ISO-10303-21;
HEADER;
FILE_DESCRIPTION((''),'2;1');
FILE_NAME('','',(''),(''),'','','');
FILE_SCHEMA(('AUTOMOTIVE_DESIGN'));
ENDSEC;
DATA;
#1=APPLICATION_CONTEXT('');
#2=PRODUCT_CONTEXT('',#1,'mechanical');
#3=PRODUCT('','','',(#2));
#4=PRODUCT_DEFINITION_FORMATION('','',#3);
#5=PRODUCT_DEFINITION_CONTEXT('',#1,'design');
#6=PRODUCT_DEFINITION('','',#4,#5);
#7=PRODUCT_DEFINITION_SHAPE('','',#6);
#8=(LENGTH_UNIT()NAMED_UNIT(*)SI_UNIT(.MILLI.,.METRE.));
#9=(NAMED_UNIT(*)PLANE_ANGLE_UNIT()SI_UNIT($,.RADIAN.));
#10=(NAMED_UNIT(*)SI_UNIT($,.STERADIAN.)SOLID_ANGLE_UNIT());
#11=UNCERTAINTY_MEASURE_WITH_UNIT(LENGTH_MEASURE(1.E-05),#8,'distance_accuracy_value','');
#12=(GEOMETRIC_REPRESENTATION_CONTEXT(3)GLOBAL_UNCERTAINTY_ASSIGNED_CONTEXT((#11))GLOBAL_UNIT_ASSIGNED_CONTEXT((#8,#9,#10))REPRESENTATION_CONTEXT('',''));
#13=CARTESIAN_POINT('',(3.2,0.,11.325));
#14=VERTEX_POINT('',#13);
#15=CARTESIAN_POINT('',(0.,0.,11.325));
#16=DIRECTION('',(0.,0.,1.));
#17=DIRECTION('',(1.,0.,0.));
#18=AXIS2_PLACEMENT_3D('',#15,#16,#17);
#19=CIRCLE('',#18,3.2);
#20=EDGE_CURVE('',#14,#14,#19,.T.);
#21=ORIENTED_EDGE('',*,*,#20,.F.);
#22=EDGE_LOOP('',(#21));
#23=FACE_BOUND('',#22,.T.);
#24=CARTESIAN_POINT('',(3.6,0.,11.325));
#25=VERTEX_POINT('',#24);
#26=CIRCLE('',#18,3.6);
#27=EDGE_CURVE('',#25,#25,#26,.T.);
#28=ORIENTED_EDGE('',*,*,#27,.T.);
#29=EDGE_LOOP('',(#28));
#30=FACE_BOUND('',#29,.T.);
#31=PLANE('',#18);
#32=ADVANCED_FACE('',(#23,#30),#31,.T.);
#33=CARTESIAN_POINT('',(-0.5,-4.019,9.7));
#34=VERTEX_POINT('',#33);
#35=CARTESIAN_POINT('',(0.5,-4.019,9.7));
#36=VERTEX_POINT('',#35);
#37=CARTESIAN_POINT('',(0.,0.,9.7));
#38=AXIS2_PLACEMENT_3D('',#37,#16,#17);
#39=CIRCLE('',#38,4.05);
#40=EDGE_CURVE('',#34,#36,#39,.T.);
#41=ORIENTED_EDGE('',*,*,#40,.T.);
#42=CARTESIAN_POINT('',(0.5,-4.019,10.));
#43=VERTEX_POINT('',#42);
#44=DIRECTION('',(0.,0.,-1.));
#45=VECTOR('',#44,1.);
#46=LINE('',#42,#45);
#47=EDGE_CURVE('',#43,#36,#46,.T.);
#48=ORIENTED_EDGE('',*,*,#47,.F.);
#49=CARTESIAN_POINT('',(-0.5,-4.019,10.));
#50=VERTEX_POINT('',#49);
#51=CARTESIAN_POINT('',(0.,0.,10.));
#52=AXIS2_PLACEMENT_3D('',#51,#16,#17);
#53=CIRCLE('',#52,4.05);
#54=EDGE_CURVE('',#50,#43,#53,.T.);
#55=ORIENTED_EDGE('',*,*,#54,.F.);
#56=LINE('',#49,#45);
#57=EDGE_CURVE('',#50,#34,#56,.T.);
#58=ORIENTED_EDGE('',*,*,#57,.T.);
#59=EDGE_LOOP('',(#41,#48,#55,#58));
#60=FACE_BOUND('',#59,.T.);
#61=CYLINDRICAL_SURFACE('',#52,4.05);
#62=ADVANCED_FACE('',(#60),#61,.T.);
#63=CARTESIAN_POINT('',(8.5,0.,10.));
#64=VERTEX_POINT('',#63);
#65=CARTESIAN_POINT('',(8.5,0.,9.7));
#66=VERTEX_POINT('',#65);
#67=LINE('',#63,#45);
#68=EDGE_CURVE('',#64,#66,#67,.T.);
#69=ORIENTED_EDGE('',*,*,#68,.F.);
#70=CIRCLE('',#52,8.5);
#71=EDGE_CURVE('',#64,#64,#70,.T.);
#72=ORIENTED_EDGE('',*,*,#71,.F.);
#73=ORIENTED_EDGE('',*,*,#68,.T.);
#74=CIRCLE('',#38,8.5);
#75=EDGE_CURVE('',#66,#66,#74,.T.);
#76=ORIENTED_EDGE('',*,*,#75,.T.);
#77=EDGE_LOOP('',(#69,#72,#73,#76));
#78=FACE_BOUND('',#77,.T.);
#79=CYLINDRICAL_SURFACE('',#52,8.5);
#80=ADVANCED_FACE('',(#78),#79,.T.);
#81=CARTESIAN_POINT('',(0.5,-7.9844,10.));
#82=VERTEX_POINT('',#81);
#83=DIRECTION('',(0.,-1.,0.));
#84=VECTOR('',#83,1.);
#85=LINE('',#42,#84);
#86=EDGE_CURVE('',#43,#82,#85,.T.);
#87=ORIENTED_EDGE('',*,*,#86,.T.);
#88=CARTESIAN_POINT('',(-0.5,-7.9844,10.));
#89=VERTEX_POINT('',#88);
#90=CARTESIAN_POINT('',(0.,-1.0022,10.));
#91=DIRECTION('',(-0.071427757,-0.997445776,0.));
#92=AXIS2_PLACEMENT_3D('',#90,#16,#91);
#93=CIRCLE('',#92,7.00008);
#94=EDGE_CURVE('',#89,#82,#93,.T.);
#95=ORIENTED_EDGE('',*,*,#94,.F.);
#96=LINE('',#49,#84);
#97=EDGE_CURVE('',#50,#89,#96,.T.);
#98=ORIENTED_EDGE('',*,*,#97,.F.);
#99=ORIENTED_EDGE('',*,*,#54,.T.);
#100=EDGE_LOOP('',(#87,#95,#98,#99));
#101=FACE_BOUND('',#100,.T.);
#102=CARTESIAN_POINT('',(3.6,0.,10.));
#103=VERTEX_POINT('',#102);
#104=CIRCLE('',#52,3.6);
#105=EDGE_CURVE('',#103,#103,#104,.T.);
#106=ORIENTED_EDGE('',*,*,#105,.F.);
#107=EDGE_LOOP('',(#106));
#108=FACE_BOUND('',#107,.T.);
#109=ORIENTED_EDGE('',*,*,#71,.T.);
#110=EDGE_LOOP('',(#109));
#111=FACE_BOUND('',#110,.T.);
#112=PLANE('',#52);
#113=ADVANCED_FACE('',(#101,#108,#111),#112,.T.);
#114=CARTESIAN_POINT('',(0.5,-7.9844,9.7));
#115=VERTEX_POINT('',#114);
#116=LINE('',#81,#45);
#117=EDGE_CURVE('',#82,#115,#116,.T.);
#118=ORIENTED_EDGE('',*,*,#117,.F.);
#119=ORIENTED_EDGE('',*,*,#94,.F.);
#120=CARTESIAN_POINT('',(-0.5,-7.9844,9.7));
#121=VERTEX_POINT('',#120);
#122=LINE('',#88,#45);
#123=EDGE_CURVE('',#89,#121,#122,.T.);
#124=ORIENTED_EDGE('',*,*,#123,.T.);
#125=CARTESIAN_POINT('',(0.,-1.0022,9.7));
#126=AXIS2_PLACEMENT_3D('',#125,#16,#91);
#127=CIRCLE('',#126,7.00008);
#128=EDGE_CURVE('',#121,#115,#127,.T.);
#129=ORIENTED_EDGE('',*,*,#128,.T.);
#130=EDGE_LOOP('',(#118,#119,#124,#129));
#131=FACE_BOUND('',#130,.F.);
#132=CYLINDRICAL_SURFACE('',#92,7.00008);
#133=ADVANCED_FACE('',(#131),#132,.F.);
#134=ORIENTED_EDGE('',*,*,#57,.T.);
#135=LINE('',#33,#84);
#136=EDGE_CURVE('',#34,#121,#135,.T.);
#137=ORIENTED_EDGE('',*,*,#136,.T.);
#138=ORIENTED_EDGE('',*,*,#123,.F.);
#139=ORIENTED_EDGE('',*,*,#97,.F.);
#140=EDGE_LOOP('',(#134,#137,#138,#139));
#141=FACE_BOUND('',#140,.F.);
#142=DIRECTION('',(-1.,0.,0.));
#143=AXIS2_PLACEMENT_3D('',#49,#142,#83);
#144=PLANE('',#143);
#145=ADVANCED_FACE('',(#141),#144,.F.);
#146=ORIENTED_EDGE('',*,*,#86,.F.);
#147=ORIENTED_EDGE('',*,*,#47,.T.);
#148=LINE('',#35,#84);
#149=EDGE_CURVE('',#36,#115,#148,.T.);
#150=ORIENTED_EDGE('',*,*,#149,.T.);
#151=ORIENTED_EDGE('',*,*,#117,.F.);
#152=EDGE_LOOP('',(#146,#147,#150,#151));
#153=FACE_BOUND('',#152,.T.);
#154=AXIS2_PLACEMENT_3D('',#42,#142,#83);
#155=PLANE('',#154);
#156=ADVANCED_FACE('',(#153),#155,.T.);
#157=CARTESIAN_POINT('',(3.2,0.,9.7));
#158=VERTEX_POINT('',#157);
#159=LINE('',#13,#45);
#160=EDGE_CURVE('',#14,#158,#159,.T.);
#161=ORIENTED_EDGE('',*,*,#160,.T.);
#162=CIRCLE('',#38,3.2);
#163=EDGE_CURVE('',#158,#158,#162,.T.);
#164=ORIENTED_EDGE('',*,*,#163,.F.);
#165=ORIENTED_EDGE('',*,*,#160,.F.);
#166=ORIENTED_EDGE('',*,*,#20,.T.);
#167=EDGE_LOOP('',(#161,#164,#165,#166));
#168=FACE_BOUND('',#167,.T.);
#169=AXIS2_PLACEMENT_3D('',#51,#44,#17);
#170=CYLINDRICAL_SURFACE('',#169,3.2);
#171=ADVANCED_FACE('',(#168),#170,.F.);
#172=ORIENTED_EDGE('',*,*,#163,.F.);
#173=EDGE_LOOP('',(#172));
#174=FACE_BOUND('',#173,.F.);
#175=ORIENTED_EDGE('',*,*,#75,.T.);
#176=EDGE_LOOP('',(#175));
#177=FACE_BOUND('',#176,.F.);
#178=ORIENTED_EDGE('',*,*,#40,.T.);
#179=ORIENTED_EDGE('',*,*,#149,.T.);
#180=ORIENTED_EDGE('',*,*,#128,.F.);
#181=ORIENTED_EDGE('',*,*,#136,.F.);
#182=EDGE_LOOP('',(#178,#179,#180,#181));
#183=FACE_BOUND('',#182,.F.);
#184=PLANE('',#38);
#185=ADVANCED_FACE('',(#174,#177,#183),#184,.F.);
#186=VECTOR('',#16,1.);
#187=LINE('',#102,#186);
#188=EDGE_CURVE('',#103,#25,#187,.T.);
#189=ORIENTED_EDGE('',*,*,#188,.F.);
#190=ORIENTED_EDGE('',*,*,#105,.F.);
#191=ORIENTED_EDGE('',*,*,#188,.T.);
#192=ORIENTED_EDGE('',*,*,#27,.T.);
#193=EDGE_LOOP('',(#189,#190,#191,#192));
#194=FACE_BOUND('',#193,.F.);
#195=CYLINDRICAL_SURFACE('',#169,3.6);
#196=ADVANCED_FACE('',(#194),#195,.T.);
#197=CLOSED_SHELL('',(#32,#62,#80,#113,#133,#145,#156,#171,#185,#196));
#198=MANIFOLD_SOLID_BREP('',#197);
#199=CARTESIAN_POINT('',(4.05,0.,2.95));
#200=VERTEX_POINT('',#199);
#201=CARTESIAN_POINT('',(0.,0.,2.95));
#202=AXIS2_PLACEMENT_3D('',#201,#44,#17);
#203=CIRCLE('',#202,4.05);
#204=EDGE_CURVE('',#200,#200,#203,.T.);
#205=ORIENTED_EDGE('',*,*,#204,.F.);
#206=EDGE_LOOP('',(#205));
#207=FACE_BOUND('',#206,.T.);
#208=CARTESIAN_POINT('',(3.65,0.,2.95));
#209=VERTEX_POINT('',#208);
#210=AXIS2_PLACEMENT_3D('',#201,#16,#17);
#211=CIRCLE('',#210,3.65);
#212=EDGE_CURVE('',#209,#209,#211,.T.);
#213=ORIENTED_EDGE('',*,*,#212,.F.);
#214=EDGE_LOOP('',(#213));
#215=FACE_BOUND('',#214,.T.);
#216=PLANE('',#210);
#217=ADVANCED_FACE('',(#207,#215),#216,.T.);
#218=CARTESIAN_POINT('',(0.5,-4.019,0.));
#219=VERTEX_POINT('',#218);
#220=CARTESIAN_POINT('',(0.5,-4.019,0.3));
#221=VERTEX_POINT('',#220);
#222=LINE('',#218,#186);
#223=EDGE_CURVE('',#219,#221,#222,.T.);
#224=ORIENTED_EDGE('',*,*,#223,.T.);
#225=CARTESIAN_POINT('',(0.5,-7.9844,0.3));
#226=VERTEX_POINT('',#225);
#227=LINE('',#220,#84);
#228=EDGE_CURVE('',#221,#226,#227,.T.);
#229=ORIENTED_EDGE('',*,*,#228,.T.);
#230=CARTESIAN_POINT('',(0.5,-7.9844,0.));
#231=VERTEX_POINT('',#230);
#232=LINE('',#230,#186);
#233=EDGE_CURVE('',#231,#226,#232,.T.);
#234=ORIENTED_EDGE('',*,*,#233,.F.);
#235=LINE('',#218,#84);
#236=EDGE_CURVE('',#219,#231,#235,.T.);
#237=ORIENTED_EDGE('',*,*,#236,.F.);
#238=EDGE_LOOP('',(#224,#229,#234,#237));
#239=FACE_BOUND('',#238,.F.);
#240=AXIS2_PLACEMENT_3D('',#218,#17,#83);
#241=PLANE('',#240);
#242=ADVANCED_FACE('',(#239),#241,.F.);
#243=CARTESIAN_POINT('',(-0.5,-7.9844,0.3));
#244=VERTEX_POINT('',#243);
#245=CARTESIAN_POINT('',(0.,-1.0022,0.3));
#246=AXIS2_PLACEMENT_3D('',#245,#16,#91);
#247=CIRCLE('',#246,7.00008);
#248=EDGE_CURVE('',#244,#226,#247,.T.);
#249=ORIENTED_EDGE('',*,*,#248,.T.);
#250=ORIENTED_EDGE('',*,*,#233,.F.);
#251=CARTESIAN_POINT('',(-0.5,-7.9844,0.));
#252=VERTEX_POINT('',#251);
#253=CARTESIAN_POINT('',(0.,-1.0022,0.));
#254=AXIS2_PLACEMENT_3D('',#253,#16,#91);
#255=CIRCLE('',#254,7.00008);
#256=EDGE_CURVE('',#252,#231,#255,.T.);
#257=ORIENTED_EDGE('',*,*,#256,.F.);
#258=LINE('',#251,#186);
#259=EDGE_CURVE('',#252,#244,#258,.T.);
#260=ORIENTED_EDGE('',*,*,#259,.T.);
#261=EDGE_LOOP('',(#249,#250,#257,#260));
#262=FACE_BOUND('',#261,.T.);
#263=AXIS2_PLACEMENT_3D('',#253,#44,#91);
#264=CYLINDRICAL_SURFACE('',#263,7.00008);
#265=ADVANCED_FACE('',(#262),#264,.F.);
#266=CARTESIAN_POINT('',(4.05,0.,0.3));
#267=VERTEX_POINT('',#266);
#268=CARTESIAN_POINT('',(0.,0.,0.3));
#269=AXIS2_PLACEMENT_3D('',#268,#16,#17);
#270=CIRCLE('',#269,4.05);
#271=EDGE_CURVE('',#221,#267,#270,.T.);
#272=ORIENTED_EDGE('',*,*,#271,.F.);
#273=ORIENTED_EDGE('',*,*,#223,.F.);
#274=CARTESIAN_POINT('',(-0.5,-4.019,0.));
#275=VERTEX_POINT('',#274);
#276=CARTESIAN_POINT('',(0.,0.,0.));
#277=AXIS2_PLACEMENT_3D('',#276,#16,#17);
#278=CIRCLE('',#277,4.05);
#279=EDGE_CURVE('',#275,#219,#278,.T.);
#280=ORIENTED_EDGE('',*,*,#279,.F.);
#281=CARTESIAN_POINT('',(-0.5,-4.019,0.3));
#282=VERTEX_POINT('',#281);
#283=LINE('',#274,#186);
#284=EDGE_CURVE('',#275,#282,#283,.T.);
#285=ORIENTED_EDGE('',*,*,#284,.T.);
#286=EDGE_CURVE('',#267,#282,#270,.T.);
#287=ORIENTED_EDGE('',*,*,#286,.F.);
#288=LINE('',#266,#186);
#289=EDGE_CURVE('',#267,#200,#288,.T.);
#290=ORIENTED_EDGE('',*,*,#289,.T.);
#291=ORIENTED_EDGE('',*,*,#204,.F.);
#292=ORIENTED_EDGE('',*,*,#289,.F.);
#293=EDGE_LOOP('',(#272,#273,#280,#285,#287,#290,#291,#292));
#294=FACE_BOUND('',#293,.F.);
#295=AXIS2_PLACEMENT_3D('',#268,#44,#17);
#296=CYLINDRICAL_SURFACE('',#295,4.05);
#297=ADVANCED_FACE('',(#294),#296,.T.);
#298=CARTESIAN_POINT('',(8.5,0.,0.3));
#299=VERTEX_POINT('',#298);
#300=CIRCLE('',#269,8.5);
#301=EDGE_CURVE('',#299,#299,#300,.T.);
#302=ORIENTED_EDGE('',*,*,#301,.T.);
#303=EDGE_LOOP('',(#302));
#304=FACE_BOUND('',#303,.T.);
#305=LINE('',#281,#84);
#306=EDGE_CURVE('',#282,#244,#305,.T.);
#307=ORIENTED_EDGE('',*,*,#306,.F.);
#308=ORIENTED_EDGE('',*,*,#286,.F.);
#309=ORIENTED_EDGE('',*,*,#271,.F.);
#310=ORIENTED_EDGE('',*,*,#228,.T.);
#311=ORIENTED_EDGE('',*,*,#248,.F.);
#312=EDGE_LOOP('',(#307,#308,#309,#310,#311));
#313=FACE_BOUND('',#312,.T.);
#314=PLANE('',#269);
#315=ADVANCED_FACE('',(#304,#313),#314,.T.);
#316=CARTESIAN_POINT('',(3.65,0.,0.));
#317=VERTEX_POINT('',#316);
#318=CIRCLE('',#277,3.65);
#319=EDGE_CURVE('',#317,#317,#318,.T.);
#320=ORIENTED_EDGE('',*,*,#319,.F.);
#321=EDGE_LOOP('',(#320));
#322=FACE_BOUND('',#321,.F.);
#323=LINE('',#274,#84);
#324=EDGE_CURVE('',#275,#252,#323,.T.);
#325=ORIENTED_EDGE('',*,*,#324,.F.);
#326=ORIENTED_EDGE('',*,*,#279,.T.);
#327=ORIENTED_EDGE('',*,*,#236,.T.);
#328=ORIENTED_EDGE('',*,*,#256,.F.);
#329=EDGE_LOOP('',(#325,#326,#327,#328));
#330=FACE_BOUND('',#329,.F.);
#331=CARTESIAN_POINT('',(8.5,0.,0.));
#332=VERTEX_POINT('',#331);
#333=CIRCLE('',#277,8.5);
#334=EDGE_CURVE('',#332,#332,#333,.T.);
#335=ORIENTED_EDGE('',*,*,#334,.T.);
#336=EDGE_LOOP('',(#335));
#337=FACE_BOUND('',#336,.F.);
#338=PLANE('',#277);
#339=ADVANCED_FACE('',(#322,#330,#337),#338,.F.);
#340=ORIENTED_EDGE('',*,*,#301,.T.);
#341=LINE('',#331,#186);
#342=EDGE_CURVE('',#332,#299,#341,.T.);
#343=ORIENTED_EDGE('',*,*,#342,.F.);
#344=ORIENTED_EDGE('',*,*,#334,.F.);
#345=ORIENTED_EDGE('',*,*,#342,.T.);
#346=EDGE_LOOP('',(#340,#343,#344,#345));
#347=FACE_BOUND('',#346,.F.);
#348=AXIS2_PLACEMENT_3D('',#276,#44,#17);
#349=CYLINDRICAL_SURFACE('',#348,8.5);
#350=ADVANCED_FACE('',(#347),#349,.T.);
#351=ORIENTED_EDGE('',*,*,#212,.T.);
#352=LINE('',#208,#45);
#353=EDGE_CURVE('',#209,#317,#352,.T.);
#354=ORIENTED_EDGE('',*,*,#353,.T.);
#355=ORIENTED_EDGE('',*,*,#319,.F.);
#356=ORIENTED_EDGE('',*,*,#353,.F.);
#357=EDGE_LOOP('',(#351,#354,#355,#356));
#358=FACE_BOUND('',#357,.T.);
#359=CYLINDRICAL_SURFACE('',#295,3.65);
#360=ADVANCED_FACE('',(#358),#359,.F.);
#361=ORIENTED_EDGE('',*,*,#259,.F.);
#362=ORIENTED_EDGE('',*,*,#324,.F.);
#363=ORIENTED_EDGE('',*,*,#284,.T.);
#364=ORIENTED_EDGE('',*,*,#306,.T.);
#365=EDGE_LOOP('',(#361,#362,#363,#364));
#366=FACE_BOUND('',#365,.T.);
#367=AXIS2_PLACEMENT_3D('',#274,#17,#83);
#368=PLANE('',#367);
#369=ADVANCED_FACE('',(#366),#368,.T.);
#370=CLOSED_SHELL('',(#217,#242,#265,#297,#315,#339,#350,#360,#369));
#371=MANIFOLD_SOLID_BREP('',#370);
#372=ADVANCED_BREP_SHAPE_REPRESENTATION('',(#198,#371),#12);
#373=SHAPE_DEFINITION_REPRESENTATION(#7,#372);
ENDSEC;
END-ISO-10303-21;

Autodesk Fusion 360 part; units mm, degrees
sketch "SingleSpool" plane through (0, 0, 0) normal (0, 0, 1) x (1, 0, 0)
  circle A0 centre (0, 0) radius 3.2
  circle A1 centre (0, 0) radius 3.6
  circle A2 centre (0, 0) radius 3.65
  circle A3 centre (0, 0) radius 4.05
  circle A4 centre (0, 0) radius 8.5
  circle A5 centre (0, 0) radius 8 construction
  line L0 (0, 0) -> (0, -8.0022) construction
  line L1 (-0.5, -0.0067) -> (-0.5, -7.9844) construction
  line L2 (0.5, 0.0066) -> (0.5, -7.9844) construction
  line L3 (-0.5, -4.019) -> (-0.5, -7.9844)
  line L4 (0.5, -4.019) -> (0.5, -7.9844)
  arc A6 (-0.5, -7.9844) -> (0.5, -7.9844) centre (0, -1.0022) ccw
  point P0 (0.5, 0.0066)
  point P1 (-0.5, -0.0067)
  dimension "d158" = 0.4
  dimension "d159" = 6.4
  dimension "d174" = 0.45
  dimension "d175" = 0.85
  dimension "d185" = 17
  dimension "d187" = 16
  dimension "d188" = 0.5
  dimension "d189" = 0.5
extrude "Extrude29" add sketch "SingleSpool" along normal blind 0.3 contours A3 | A4 makes body 1
extrude "Extrude30" add sketch "SingleSpool" along normal blind 2.65 from surface at 0.3 contours A3 bodies 1
extrude "Extrude32" add sketch "SingleSpool" along normal blind 1.325 from surface at 10 separate body contours A1 makes body 2
extrude "Extrude31" add sketch "SingleSpool" against normal blind 0.3 from surface at 10 contours A1 | A2 | A3 | A4 bodies 2
equation "coilWidth = 2.65 mm"
equation "pusherDiameter = 6 mm"
equation "spacerWidth = 0.3 mm"
equation "d159 = pusherDiameter + 0.4 mm"
equation "d164 = spacerWidth"
equation "d167 = coilWidth"
equation "d177 = -spacerWidth"
equation "d180 = coilWidth / 2"
equation "d187 = d185 - 1 mm"
equation "d189 = d188"
